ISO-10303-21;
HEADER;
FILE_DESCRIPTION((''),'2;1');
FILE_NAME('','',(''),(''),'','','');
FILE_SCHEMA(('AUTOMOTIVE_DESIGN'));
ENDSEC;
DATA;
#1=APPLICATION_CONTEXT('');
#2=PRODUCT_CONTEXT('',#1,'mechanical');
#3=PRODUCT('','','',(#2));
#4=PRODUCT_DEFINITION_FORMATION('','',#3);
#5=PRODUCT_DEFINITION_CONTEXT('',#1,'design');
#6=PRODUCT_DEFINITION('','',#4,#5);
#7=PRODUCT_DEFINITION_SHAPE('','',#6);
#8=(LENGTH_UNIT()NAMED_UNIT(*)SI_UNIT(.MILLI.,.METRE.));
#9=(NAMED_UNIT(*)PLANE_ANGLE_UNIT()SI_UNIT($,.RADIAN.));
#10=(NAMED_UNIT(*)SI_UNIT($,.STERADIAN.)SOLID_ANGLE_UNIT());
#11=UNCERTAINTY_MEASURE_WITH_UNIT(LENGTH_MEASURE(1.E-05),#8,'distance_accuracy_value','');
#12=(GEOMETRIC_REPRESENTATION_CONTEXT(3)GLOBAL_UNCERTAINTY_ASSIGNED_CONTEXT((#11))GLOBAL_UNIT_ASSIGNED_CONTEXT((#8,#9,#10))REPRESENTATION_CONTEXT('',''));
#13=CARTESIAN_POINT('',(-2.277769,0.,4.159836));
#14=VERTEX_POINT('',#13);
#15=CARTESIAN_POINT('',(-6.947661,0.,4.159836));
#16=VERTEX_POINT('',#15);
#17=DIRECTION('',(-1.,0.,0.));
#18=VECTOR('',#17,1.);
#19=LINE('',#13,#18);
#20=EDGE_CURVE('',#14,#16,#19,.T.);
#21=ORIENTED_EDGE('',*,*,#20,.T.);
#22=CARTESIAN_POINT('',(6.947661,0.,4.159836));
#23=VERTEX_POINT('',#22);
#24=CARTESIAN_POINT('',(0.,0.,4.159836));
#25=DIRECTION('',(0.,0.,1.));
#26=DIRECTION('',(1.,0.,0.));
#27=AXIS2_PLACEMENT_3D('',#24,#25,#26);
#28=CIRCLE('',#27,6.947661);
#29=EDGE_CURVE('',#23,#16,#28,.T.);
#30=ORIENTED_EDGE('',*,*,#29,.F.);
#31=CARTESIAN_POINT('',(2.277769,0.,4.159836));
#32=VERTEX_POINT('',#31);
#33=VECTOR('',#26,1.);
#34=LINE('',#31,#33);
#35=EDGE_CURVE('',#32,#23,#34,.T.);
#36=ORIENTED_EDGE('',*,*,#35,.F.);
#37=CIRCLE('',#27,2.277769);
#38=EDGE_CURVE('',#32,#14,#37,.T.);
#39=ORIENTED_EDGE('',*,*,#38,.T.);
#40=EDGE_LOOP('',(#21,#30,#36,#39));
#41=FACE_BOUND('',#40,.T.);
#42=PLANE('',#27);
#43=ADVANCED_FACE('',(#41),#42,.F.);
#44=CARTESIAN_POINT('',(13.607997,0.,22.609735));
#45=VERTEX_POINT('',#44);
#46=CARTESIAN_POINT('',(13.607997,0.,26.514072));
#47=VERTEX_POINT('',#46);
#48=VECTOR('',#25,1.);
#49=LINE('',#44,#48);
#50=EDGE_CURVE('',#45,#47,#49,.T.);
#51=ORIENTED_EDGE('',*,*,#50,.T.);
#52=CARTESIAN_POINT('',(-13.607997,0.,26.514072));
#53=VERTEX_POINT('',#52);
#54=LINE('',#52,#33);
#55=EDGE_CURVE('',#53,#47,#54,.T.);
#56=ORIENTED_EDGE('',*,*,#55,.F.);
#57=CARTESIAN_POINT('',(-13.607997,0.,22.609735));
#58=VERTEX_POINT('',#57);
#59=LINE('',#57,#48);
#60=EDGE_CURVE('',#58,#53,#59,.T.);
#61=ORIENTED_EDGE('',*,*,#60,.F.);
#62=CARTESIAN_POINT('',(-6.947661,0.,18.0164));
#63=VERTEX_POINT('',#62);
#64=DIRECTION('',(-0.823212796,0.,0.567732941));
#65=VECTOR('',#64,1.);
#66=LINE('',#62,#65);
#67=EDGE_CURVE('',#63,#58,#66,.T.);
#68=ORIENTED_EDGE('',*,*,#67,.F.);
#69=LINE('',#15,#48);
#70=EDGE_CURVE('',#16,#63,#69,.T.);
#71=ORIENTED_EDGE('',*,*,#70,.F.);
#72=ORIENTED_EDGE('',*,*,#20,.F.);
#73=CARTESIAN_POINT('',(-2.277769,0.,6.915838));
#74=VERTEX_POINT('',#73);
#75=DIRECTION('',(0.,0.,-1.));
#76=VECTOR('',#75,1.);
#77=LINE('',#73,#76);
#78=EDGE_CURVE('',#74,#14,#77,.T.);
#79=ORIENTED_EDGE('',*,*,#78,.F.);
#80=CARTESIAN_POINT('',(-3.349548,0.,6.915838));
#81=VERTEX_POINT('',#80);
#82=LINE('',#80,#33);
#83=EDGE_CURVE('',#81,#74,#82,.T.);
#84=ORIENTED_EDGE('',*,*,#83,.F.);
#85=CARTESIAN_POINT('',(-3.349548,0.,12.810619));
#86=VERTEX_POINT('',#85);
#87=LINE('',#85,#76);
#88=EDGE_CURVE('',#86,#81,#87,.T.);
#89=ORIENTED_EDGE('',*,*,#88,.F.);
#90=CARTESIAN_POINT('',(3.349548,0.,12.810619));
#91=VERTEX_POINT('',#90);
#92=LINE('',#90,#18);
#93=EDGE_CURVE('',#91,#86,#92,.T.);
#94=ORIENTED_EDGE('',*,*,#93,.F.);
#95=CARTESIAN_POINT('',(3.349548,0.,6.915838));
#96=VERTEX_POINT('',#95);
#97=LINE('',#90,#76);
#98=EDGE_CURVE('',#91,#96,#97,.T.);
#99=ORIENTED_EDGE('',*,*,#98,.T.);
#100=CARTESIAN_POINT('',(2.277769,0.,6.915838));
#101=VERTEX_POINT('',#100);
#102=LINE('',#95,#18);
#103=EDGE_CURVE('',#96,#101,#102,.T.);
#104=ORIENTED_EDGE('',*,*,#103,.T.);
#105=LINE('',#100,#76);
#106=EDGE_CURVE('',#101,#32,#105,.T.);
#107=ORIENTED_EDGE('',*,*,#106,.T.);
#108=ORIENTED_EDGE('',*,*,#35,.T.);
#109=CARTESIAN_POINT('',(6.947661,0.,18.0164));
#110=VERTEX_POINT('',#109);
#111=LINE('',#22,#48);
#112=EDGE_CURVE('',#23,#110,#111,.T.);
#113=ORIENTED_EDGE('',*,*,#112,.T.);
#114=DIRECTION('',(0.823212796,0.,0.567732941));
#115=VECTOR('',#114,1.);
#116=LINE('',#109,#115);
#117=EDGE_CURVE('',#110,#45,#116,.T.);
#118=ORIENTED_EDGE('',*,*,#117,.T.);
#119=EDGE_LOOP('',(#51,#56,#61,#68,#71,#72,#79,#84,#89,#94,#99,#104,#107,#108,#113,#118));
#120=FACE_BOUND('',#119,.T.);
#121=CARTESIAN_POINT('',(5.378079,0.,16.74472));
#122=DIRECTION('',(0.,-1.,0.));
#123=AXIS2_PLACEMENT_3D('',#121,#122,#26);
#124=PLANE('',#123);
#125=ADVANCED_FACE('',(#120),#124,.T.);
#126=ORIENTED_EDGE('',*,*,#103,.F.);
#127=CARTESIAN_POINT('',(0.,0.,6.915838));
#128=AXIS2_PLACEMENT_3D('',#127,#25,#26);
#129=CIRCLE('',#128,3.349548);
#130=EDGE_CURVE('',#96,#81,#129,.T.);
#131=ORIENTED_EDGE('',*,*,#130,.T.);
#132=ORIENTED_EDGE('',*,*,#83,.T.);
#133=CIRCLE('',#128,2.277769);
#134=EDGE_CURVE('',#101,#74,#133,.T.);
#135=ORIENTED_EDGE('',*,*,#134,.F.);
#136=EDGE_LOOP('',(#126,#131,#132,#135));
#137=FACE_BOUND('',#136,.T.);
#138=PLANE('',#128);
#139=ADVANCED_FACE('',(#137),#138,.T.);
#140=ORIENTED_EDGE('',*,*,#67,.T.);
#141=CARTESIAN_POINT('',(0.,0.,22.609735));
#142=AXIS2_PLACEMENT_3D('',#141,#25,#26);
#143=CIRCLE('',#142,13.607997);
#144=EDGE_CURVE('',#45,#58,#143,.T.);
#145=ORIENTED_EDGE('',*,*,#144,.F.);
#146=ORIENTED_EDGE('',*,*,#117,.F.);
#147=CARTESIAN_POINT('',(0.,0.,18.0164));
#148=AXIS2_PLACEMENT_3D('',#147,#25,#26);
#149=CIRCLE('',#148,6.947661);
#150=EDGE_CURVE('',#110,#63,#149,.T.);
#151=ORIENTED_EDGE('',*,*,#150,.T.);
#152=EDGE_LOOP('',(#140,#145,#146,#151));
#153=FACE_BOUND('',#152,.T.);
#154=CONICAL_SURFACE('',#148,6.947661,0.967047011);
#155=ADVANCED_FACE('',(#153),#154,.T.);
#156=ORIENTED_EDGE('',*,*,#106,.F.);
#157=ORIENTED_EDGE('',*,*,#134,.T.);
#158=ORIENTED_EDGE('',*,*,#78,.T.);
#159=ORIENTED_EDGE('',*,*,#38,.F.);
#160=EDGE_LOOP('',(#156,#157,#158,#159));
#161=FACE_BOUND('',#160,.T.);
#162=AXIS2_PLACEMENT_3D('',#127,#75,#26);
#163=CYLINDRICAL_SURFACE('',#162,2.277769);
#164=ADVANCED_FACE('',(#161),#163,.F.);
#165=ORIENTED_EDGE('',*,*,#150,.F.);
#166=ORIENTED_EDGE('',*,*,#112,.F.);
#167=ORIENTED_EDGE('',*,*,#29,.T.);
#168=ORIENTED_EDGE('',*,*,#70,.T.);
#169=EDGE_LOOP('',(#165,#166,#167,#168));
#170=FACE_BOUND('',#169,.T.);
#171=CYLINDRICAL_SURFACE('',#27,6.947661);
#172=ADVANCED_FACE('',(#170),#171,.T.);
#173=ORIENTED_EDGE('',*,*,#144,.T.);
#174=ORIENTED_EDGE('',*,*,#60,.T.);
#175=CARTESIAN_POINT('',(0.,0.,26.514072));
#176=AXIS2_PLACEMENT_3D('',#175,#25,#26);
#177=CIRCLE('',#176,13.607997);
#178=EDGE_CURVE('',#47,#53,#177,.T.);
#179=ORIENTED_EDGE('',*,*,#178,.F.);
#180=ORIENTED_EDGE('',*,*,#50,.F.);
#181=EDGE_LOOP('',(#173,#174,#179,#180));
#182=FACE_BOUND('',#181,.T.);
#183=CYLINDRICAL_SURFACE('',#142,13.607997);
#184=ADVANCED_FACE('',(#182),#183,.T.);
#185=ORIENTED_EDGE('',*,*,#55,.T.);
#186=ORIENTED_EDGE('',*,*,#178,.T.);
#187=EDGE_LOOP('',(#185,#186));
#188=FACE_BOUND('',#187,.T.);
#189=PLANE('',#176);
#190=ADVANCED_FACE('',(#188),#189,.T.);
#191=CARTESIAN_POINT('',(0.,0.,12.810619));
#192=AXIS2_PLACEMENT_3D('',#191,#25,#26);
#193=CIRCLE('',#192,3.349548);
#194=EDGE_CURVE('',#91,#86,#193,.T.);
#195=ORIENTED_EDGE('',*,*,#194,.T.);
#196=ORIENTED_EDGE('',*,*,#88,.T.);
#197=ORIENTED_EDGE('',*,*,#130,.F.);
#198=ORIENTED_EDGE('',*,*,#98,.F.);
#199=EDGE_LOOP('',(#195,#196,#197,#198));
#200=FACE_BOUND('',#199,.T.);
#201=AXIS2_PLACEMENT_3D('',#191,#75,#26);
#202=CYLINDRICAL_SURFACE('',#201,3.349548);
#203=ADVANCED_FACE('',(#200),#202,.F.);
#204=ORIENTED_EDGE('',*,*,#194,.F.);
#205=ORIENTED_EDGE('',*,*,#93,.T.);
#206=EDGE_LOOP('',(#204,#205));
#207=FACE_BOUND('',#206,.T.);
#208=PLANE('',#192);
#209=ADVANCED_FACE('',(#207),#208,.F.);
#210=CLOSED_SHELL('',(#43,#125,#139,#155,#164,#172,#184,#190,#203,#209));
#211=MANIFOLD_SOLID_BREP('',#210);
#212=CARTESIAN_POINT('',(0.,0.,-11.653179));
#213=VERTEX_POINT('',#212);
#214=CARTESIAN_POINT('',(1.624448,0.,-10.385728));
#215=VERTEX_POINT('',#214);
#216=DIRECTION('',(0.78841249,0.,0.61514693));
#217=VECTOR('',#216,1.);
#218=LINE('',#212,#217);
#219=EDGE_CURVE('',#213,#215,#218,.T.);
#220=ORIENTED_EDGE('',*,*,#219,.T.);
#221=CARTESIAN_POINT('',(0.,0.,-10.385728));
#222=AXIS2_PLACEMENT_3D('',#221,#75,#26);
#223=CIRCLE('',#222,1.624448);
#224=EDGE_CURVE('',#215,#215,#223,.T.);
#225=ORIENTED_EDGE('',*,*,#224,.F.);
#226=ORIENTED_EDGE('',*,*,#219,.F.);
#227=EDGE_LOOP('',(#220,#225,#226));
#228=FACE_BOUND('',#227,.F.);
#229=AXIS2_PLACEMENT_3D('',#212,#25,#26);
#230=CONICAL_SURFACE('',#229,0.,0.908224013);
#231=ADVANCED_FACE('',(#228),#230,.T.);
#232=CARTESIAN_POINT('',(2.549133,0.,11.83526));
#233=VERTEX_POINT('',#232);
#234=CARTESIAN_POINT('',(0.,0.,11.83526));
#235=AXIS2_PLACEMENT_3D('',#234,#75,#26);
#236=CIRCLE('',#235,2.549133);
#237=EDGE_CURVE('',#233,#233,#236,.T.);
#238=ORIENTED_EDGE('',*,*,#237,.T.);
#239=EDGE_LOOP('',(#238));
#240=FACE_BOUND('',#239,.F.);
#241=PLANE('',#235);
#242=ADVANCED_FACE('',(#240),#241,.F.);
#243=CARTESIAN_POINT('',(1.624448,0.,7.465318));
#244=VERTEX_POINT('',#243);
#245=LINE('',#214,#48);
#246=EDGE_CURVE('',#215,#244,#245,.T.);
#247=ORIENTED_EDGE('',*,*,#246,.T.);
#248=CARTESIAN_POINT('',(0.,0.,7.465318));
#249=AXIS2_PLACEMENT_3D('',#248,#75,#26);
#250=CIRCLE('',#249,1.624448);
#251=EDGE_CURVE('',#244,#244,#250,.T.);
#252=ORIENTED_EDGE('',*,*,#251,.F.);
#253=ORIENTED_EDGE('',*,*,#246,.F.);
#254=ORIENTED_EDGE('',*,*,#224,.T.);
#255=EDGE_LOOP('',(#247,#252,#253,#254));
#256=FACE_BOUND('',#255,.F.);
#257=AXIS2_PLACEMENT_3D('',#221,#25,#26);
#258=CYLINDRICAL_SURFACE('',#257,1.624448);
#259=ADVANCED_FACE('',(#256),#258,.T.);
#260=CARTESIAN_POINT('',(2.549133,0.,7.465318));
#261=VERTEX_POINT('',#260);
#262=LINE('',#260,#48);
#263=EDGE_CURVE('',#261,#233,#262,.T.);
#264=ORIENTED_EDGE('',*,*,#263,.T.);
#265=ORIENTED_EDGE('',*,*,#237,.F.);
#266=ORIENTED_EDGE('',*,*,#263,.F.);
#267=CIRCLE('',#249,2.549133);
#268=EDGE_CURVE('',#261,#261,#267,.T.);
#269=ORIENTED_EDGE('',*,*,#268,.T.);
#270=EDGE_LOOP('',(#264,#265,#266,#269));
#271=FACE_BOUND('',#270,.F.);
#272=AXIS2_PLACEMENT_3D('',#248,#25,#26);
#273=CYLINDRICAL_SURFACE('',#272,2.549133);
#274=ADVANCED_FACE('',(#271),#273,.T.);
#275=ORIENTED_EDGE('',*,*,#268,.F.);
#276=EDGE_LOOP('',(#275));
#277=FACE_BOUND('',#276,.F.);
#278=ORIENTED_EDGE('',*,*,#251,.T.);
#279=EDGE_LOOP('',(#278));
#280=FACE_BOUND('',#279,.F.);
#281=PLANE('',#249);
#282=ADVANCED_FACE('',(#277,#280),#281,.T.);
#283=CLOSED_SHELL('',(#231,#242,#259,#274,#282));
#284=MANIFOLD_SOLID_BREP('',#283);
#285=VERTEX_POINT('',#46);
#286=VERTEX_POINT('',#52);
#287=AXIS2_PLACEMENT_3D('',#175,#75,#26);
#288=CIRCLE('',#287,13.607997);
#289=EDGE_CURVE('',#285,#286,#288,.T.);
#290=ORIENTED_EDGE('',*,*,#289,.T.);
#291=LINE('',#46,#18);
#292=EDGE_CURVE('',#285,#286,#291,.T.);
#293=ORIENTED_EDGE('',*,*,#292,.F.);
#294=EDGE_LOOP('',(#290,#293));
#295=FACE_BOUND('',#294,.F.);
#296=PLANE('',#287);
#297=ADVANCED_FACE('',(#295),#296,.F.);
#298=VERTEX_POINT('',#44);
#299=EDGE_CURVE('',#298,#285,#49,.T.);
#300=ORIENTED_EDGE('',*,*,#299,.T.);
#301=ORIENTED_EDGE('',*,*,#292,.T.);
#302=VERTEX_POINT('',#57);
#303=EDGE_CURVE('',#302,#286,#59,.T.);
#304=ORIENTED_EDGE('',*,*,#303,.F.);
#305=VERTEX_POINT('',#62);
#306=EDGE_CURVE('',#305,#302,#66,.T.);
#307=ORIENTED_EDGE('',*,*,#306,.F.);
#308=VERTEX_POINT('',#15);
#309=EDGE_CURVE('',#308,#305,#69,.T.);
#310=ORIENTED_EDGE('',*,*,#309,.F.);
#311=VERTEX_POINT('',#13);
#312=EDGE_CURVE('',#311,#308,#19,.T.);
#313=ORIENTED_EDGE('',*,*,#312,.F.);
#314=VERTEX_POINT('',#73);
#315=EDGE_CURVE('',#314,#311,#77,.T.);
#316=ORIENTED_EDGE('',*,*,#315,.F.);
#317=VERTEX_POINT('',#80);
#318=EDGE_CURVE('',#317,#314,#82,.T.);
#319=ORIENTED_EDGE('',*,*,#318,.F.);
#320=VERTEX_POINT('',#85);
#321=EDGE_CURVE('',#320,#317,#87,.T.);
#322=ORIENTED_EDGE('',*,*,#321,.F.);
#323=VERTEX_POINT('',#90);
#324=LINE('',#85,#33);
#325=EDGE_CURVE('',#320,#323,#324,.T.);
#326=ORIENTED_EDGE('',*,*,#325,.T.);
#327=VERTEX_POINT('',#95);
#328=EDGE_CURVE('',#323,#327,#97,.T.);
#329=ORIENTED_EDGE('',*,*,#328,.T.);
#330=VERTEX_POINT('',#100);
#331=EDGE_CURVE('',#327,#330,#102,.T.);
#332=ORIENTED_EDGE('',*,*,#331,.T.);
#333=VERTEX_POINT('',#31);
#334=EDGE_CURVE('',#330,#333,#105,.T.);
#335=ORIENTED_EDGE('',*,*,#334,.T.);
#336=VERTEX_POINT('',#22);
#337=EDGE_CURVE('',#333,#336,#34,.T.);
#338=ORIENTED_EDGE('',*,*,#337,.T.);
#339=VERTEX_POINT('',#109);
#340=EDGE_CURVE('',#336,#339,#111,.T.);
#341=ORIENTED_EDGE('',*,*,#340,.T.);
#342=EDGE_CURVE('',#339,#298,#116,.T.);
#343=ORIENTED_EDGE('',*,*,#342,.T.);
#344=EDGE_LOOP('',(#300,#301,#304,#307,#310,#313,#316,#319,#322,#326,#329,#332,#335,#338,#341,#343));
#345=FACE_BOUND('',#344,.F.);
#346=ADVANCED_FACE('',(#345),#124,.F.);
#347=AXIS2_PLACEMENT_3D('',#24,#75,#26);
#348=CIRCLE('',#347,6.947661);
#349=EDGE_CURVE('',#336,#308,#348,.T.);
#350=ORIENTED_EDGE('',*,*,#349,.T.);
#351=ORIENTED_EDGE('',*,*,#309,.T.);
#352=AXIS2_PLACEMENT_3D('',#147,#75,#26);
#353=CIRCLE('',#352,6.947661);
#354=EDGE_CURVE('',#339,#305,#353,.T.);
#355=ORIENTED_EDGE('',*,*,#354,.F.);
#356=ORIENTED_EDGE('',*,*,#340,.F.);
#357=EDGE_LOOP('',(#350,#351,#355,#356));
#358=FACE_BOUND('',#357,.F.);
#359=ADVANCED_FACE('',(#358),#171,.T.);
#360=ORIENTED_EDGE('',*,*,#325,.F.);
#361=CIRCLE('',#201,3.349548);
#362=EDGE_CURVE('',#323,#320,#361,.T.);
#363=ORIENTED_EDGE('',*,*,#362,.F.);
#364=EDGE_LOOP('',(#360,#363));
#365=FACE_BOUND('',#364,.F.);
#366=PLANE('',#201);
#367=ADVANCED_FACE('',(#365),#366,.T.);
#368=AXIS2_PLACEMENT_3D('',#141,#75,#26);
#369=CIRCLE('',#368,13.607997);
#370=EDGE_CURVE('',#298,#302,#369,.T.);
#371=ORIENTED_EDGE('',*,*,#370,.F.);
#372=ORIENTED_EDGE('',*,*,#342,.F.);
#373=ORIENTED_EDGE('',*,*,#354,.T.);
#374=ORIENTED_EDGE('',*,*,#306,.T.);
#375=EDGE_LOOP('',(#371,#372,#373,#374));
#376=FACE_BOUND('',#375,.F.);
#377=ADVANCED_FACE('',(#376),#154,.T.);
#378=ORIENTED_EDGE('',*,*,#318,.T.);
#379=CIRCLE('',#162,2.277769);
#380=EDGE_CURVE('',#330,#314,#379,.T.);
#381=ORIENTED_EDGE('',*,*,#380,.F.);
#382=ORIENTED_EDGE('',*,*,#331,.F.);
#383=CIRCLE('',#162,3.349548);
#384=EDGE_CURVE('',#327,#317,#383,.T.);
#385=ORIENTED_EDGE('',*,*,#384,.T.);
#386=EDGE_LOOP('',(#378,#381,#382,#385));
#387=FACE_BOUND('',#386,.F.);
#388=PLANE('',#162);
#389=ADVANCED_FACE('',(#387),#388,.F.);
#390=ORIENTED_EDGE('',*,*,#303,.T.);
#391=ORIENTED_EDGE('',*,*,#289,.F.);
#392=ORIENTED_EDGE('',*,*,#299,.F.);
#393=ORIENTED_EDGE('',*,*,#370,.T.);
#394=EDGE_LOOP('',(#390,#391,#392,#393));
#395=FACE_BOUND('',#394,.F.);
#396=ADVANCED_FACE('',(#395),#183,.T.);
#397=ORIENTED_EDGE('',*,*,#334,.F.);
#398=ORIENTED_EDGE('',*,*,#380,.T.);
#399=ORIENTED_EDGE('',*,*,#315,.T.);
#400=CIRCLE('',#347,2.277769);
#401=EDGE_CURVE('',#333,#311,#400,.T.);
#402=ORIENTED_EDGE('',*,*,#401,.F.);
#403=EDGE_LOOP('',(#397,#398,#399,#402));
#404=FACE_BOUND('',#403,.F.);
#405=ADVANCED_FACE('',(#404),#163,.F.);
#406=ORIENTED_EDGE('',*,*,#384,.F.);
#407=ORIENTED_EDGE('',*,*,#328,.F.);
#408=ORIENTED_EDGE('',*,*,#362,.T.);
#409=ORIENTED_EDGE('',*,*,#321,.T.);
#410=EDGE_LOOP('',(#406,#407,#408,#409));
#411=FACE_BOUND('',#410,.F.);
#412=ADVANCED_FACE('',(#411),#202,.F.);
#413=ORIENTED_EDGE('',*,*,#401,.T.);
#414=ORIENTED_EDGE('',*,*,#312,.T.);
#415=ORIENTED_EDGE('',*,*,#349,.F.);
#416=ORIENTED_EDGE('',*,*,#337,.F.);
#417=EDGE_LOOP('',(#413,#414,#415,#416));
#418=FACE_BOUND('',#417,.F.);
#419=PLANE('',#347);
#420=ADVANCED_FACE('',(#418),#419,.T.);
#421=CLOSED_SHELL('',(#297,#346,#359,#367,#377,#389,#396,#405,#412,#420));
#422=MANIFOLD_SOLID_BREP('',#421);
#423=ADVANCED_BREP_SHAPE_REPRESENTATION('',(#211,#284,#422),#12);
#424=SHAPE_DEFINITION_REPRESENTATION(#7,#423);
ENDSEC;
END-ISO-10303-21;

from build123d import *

# Parameters (mm, degrees)
F2_ANGLE = 180
F3_ANGLE = -180


with BuildPart() as f1:
    # F0 (on Front) → F1 (revolve)
    with BuildSketch(Plane.XZ):
        Polygon((0, 11.83526), (0, -11.653179), (1.624448, -10.385728), (1.624448, 7.465318), (2.549133, 7.465318), (2.549133, 11.83526), align=None)
    revolve(axis=Axis((0, 0, 4.426354), (0, 0, -1)))


with BuildPart() as f2:
    # F0 (on Front) → F2 (revolve)
    with BuildSketch(Plane.XZ):
        Polygon((13.607997, 26.514072), (0, 26.514072), (0, 12.810619), (3.349548, 12.810619), (3.349548, 6.915838), (2.277769, 6.915838), (2.277769, 4.159836), (6.947661, 4.159836), (6.947661, 18.0164), (13.607997, 22.609735), align=None)
    revolve(axis=Axis((0, 0, 4.426354), (0, 0, -1)), revolution_arc=F2_ANGLE)


with BuildPart() as f3:
    # F0 (on Front) → F3 (revolve)
    with BuildSketch(Plane.XZ):
        Polygon((13.607997, 26.514072), (0, 26.514072), (0, 12.810619), (3.349548, 12.810619), (3.349548, 6.915838), (2.277769, 6.915838), (2.277769, 4.159836), (6.947661, 4.159836), (6.947661, 18.0164), (13.607997, 22.609735), align=None)
    revolve(axis=Axis((0, 0, 4.426354), (0, 0, -1)), revolution_arc=F3_ANGLE)


solid = Compound([f1.part, f2.part, f3.part])
